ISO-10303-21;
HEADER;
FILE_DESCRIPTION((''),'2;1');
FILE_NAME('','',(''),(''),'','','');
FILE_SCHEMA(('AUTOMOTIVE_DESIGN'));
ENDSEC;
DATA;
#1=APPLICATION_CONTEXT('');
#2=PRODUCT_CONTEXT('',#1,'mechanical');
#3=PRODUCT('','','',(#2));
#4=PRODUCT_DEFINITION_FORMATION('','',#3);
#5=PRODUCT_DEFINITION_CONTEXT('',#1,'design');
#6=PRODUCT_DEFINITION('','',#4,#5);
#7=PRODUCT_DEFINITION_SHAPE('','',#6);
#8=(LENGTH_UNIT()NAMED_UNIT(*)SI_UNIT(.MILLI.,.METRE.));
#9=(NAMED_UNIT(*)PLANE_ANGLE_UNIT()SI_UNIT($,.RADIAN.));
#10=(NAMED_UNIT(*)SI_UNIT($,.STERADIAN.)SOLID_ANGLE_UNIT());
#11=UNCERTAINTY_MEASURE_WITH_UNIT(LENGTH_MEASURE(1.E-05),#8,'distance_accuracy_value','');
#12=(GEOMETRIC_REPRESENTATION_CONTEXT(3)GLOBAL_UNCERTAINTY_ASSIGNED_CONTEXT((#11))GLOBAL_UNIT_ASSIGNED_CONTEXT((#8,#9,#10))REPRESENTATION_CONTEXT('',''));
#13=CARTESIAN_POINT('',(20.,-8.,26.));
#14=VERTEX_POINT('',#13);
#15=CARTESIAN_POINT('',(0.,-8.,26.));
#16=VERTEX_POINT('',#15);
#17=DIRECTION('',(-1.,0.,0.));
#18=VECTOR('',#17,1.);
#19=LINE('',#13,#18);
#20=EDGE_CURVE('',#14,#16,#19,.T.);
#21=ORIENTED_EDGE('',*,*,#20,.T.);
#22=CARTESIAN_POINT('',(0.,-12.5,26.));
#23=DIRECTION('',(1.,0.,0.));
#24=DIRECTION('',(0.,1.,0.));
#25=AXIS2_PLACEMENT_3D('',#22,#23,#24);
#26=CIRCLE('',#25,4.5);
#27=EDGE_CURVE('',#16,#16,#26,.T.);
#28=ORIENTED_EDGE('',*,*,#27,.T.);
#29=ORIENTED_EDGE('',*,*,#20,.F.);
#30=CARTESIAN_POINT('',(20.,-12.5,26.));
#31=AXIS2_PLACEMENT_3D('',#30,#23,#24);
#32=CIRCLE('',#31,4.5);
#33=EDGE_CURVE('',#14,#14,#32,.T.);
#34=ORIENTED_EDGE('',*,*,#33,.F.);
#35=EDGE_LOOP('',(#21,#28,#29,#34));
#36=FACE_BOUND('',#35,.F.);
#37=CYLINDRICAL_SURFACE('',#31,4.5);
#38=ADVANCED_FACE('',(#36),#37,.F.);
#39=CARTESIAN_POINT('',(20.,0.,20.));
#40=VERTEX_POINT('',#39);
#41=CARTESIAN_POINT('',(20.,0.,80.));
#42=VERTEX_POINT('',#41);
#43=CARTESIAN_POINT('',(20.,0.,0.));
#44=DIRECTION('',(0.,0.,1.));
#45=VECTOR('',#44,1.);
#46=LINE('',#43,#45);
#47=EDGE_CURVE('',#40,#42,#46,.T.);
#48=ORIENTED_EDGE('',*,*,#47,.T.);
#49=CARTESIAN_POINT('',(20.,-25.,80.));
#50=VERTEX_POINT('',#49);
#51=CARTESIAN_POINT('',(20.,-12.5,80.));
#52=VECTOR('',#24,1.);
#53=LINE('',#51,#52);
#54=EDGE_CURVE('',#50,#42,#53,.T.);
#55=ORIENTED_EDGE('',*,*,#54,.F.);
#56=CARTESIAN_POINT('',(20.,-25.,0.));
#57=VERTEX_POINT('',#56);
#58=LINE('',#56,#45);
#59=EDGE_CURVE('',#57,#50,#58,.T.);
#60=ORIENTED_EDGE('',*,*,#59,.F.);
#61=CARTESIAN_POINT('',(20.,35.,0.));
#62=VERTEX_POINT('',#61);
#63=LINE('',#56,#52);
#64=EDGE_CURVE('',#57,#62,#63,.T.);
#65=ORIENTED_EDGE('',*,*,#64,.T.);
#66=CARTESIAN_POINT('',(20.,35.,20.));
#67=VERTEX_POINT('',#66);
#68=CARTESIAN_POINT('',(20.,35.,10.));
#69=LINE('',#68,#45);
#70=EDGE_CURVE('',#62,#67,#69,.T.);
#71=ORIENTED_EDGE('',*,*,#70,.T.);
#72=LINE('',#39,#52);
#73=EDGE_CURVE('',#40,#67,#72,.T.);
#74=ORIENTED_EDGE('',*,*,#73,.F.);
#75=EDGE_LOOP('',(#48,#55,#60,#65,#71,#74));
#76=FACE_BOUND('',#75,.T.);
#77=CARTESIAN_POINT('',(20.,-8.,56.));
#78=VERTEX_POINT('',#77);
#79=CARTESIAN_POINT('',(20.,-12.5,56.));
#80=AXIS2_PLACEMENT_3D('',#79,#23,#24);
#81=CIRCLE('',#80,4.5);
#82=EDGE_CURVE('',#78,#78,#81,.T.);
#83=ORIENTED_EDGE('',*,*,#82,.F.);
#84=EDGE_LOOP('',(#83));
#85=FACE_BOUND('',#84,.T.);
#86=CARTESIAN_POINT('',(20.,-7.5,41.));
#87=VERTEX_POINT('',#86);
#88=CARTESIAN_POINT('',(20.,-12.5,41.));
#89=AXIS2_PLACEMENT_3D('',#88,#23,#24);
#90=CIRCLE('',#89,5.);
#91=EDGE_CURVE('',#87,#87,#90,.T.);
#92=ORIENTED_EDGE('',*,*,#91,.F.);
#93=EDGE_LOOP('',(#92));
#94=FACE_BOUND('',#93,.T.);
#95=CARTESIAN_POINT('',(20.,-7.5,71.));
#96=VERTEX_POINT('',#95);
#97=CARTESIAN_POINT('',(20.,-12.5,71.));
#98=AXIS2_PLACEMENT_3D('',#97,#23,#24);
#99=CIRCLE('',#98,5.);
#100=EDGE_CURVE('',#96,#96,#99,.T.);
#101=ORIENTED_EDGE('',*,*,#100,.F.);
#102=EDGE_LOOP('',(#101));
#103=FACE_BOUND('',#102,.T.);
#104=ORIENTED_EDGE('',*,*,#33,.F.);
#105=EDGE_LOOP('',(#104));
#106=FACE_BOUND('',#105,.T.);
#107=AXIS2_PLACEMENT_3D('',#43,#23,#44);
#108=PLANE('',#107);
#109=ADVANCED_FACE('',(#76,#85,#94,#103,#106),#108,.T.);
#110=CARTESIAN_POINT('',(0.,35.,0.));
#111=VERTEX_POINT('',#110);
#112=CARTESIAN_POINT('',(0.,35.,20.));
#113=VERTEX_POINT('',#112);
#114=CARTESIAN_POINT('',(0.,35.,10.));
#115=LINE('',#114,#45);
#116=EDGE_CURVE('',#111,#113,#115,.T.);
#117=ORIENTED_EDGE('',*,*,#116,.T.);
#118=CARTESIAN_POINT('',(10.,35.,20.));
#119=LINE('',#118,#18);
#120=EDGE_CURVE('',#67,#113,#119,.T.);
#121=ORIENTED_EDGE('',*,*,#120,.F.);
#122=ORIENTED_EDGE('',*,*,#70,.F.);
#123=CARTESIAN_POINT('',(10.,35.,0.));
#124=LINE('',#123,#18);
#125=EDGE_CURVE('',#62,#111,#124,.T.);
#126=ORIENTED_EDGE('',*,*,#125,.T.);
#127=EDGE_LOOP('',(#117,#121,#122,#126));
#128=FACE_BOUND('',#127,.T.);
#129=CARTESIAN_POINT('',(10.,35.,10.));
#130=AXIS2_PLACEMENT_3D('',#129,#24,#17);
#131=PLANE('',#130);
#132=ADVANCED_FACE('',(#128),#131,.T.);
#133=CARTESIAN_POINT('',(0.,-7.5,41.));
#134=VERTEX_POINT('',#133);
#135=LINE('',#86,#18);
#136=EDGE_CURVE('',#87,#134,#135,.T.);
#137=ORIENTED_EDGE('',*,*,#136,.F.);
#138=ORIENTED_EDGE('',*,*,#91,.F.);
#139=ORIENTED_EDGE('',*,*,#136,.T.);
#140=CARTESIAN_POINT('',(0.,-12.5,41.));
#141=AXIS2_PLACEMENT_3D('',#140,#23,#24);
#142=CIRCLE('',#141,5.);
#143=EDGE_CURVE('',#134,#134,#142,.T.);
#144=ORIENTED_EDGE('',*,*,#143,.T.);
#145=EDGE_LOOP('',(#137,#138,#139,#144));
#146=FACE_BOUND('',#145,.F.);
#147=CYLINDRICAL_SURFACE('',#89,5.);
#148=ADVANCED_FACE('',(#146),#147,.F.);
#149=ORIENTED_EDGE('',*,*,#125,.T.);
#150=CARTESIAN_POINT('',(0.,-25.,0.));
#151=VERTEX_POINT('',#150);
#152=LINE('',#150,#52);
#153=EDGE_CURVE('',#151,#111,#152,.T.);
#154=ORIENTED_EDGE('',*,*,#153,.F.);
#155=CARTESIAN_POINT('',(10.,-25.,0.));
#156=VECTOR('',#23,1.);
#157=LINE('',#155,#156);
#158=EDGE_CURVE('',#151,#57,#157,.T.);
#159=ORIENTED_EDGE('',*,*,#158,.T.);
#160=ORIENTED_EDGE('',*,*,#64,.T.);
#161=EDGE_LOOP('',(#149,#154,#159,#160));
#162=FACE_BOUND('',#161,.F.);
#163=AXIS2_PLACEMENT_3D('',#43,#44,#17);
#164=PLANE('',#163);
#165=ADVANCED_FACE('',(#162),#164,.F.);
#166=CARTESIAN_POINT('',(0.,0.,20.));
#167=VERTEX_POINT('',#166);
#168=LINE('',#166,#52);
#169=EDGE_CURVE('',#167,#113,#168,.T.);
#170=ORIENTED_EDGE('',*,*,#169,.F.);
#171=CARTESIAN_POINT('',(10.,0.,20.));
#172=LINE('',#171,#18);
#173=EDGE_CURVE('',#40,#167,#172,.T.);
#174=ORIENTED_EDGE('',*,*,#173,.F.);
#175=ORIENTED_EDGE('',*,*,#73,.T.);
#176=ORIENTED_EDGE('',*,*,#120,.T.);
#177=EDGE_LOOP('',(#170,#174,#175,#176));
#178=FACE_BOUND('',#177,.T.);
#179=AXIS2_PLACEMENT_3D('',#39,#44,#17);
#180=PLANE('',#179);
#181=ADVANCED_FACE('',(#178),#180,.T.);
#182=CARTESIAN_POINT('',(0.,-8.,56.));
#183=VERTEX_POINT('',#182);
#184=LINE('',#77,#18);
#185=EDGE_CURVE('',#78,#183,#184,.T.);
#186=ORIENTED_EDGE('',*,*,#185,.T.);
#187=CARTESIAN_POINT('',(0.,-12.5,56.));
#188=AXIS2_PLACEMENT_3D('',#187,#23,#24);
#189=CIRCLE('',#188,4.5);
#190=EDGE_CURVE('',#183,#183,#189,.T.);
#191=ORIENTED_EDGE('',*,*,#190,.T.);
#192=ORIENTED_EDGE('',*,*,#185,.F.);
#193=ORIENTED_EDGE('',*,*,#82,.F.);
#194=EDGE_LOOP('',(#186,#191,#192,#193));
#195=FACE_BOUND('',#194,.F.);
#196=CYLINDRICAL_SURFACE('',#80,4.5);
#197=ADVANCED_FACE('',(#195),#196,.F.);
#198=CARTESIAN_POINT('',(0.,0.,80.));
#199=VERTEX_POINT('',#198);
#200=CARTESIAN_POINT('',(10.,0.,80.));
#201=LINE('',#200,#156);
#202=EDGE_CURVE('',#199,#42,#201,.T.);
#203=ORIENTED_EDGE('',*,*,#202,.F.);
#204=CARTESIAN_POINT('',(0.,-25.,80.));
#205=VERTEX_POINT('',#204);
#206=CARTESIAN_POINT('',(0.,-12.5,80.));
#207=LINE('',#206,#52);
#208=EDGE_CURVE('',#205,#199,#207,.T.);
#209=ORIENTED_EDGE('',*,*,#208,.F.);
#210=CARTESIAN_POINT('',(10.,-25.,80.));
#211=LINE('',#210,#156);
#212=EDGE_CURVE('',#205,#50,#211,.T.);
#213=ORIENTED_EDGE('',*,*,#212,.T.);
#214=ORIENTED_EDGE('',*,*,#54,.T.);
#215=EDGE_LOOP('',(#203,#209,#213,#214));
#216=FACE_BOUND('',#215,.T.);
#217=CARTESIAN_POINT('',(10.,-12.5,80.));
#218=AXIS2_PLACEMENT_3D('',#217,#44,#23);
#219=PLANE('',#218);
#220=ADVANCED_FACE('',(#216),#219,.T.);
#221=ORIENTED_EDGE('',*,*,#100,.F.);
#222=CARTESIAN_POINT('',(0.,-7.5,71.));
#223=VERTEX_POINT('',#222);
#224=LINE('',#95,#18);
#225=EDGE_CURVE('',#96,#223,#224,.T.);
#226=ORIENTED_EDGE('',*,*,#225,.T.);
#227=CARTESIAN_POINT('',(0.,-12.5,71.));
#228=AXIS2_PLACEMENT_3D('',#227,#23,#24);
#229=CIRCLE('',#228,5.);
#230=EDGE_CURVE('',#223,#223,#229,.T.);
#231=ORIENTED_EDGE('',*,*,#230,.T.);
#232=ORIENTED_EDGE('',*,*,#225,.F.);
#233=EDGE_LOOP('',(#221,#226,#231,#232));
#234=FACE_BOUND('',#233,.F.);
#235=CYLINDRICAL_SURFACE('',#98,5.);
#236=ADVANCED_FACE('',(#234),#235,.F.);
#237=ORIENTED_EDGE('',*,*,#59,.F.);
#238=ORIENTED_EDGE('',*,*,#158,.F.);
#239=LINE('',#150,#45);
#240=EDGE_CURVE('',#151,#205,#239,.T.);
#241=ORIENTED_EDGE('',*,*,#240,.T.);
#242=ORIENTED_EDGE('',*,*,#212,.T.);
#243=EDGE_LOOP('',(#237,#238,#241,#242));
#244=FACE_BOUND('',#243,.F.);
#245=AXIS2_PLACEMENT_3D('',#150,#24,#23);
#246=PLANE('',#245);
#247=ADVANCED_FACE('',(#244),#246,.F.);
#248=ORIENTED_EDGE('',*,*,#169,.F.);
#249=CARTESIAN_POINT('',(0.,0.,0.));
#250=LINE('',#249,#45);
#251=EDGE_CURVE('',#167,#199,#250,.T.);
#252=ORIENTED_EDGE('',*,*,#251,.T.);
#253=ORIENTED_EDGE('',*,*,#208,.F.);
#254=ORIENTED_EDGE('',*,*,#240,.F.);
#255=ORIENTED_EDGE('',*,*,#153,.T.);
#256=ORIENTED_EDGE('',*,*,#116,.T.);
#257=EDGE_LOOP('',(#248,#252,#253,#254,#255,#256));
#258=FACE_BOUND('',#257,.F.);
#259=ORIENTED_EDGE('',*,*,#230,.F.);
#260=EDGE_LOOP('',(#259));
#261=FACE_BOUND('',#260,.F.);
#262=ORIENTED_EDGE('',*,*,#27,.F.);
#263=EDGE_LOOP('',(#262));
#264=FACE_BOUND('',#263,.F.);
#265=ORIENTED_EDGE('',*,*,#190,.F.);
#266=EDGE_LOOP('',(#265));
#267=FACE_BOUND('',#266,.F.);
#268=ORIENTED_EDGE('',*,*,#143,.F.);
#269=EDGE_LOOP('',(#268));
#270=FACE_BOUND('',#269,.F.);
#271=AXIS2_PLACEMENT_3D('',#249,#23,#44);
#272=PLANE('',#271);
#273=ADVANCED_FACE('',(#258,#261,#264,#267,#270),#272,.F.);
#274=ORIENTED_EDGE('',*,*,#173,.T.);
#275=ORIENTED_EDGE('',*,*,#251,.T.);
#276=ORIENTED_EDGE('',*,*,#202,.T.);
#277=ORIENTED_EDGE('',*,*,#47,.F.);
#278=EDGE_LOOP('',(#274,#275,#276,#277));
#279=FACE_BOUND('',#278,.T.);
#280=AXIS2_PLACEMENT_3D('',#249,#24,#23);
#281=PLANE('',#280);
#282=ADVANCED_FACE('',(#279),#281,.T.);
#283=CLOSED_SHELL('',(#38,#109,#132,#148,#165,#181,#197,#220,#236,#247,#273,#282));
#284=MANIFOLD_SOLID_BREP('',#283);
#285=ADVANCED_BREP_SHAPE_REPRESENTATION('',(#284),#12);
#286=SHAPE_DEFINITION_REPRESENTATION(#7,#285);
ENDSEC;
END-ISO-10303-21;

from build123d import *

# Parameters (mm, degrees)
F0_W     = 20
F0_H     = 25
F1_DEPTH = 80
F2_R     = 5
F2_R_2   = 4.5
F3_DEPTH = 25
F4_W     = 20
F4_H     = 20
F5_DEPTH = 35


with BuildPart() as f1:
    # F0 (on Top) → F1 (new body)
    with BuildSketch(Plane.XY):
        with Locations((10, -12.5)):
            Rectangle(F0_W, F0_H)
    extrude(amount=F1_DEPTH)

    # F2 (on face) → F3 (cut)
    with BuildSketch(Plane.YZ.offset(20)):
        with Locations((-12.5, 71)):
            Circle(F2_R)
        with Locations((-12.5, 56)):
            Circle(F2_R_2)
        with Locations((-12.5, 41)):
            Circle(F2_R)
        with Locations((-12.5, 26)):
            Circle(F2_R_2)
    extrude(amount=-F3_DEPTH, mode=Mode.SUBTRACT)

    # F4 (on face) → F5 (join)
    with BuildSketch(Plane(origin=(0, 0, 0), x_dir=(-1, 0, 0), z_dir=(0, 1, 0))):
        with Locations((-10, 10)):
            Rectangle(F4_W, F4_H)
    extrude(amount=F5_DEPTH)


solid = f1.part
